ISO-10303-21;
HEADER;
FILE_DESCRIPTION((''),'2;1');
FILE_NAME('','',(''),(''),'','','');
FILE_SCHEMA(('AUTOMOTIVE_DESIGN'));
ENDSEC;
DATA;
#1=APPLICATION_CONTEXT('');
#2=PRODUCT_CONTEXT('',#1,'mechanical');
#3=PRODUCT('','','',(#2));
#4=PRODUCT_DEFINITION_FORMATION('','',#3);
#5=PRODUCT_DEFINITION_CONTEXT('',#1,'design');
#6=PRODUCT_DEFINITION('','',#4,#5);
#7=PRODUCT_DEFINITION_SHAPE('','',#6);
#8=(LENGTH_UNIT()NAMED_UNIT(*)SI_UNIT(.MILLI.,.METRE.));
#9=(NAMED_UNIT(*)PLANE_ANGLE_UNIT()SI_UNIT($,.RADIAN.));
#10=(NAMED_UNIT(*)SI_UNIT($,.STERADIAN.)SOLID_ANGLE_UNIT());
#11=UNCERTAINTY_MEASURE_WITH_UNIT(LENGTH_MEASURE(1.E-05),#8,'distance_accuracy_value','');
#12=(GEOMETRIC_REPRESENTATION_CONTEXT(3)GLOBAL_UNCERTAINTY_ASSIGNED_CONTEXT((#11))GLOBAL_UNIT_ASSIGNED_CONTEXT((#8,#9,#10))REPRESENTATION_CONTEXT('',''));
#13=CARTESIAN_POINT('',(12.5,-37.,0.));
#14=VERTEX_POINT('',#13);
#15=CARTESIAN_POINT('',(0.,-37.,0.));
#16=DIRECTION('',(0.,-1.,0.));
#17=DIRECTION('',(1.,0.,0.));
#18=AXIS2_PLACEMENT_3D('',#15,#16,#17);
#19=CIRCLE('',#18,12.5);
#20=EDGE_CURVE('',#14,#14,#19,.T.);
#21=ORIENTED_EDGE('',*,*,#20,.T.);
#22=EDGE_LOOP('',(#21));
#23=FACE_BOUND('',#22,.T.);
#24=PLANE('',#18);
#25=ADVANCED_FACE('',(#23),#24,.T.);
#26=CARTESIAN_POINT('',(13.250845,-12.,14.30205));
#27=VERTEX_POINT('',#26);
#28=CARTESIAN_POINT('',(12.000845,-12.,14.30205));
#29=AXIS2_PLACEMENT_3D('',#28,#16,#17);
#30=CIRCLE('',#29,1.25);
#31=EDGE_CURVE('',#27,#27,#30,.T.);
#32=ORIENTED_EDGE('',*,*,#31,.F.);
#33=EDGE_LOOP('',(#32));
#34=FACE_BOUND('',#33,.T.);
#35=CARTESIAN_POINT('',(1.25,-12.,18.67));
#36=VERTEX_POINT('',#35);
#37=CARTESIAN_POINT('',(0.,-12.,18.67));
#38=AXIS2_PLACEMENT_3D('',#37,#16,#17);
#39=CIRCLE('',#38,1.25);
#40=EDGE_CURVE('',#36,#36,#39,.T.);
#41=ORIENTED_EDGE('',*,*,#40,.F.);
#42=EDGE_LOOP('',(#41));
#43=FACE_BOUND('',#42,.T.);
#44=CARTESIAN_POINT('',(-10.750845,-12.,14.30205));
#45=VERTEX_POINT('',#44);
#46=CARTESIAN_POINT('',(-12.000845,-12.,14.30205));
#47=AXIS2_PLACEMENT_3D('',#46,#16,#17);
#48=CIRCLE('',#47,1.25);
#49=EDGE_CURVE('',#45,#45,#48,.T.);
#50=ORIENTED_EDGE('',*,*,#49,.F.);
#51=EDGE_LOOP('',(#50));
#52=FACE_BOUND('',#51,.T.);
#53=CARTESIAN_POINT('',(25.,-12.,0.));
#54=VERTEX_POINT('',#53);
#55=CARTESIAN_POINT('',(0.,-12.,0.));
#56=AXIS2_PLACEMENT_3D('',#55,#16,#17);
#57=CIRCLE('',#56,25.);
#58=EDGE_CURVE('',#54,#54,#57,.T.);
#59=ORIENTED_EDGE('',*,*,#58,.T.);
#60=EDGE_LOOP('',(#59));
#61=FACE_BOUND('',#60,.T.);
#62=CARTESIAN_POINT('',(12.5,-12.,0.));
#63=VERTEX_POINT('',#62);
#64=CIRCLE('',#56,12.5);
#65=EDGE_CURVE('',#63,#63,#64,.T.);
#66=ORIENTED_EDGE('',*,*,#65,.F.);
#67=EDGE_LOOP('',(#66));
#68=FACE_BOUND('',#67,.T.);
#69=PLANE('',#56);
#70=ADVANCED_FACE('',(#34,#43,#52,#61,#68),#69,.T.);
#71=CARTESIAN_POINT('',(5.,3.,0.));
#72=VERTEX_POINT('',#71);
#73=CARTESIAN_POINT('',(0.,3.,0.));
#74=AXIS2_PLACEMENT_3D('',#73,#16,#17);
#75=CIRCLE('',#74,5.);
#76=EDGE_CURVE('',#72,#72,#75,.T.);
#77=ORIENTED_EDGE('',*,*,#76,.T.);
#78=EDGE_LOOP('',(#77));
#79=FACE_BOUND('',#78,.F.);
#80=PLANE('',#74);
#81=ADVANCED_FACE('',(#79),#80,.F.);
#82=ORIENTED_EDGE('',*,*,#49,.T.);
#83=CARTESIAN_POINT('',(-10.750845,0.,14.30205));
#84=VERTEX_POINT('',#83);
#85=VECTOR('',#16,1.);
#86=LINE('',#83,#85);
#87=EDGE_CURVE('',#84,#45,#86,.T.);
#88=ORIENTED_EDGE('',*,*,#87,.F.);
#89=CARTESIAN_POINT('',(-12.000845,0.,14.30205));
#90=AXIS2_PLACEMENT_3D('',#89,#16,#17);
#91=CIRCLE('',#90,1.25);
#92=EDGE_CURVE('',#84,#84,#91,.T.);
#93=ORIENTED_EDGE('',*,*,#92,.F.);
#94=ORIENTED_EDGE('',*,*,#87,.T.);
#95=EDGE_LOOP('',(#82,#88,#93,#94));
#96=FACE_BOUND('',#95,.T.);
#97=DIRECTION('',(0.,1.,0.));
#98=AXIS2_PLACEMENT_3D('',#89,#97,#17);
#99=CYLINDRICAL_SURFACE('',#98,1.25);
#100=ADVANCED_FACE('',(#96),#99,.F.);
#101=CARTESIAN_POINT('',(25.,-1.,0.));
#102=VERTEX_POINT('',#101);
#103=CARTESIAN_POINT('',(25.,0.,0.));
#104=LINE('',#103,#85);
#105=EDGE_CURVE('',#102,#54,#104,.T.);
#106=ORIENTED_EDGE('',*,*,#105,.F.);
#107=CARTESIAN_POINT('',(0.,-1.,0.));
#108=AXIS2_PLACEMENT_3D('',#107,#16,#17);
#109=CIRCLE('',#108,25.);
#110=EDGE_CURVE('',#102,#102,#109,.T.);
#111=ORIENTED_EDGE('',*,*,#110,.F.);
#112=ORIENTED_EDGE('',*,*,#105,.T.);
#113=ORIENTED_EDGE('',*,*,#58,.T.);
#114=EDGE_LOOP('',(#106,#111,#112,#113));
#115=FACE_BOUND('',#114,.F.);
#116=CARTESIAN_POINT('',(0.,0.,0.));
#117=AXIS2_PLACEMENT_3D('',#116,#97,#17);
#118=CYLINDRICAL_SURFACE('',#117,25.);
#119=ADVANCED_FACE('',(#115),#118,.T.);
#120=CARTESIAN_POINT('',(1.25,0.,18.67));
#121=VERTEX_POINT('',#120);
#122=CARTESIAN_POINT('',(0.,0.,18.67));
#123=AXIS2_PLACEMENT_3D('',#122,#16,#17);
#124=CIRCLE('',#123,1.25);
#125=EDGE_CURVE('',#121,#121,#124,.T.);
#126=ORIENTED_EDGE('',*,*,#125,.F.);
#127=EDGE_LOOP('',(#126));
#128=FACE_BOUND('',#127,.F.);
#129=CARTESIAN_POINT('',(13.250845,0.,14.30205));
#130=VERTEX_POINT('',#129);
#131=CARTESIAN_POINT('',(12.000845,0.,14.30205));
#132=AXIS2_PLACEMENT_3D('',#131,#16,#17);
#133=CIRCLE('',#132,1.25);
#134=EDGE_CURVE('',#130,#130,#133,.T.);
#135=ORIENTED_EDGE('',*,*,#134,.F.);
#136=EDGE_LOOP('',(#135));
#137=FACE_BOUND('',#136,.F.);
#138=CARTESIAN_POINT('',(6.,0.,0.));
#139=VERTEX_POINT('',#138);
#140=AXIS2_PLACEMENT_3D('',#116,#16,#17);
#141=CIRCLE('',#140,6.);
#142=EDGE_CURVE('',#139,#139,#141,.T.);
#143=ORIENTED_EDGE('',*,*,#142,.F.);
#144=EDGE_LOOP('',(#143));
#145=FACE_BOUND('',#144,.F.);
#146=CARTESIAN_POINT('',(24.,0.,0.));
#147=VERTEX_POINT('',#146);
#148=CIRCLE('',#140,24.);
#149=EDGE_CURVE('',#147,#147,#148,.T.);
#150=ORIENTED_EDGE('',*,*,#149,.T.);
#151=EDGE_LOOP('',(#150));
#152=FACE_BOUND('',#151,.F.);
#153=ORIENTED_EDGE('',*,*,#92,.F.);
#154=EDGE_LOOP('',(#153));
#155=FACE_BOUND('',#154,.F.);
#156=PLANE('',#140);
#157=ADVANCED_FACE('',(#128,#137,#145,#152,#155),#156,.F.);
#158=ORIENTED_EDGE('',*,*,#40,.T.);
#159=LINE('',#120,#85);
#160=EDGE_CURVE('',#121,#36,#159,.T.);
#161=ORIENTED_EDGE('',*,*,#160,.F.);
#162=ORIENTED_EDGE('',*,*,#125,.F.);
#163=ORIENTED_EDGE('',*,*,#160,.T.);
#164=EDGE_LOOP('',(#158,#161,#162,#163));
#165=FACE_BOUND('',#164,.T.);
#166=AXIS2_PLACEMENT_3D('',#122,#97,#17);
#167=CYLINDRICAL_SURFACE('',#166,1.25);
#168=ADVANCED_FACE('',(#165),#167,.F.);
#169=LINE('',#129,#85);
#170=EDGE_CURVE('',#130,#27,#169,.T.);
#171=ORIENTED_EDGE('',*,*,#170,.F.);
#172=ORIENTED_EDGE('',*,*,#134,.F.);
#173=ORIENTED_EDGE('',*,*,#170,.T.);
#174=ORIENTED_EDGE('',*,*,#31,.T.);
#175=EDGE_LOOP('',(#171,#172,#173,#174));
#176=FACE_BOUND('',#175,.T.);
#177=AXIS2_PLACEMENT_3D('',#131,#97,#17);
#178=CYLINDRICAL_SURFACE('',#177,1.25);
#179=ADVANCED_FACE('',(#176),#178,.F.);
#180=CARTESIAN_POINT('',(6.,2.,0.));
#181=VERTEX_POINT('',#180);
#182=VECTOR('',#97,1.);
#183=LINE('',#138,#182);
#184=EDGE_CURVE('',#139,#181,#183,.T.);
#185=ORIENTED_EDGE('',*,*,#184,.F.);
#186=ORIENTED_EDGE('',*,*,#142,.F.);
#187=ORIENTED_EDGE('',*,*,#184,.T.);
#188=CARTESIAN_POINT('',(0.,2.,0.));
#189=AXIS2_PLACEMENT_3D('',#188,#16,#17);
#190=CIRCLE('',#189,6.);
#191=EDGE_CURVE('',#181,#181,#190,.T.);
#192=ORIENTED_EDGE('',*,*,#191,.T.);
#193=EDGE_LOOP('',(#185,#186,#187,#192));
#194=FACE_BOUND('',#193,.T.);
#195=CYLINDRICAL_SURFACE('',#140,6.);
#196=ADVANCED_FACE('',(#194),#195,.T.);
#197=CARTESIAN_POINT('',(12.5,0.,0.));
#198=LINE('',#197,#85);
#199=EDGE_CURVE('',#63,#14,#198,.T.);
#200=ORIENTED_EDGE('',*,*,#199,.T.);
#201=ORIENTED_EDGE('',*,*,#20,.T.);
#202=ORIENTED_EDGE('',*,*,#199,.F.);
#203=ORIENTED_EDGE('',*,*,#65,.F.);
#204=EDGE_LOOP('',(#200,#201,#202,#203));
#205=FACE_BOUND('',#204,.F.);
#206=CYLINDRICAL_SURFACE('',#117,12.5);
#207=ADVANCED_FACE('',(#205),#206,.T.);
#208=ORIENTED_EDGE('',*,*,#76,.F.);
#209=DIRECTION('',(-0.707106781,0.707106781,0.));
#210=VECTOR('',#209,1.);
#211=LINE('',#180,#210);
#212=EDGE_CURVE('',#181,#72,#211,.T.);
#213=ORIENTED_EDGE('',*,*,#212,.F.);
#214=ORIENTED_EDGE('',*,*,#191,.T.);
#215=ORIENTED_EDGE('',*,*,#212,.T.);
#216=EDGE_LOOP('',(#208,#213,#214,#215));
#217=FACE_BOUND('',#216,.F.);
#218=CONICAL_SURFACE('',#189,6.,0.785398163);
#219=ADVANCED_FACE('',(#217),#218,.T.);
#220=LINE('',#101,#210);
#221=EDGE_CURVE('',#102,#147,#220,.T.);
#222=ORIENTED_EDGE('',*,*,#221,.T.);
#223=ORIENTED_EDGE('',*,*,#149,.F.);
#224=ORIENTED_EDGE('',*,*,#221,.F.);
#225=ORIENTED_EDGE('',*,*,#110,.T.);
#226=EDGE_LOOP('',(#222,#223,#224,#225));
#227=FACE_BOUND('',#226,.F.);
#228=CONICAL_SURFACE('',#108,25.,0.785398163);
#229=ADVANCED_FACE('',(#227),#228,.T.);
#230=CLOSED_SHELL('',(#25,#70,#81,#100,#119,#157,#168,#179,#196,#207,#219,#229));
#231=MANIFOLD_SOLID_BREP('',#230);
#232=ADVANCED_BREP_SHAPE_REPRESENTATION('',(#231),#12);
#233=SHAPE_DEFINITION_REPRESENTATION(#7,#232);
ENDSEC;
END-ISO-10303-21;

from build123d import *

# Parameters (mm, degrees)
F0_R     = 6
F1_DEPTH = 3
F0_R_2   = 12.5
F2_DEPTH = 37
F0_R_3   = 25
F0_R_4   = 1.25
F3_DEPTH = 12
F4_DEPTH = 37
F5_SIZE  = 1


with BuildPart() as f1:
    # F0 (on Front) → F1 (new body)
    with BuildSketch(Plane.XZ):
        Circle(F0_R)
    extrude(amount=-F1_DEPTH)



with BuildPart() as f2:
    # F0 (on Front) → F2 (new body)
    with BuildSketch(Plane.XZ):
        Circle(F0_R_2)
        Circle(F0_R, mode=Mode.SUBTRACT)
    extrude(amount=F2_DEPTH)

    # F0 (on Front) → F3 (join)
    with BuildSketch(Plane.XZ):
        Circle(F0_R_3)
        with Locations((-12.000845, 14.30205)):
            Circle(F0_R_4, mode=Mode.SUBTRACT)
        Circle(F0_R_2, mode=Mode.SUBTRACT)
        with Locations((0, 18.67)):
            Circle(F0_R_4, mode=Mode.SUBTRACT)
        with Locations((12.000845, 14.30205)):
            Circle(F0_R_4, mode=Mode.SUBTRACT)
    extrude(amount=F3_DEPTH)


with BuildPart() as f1_1:
    add(f1.part)

    add(f2.part)  # F4 merges F2
    # F0 (on Front) → F4 (join)
    with BuildSketch(Plane.XZ):
        Circle(F0_R)
    extrude(amount=F4_DEPTH)

    # F5
    f5_edges = [f1_1.edges().sort_by_distance(p)[0] for p in [
        (-25, 0, 0),
        (-6, 3, 0),
    ]]
    chamfer(f5_edges, length=F5_SIZE)


solid = f1_1.part
